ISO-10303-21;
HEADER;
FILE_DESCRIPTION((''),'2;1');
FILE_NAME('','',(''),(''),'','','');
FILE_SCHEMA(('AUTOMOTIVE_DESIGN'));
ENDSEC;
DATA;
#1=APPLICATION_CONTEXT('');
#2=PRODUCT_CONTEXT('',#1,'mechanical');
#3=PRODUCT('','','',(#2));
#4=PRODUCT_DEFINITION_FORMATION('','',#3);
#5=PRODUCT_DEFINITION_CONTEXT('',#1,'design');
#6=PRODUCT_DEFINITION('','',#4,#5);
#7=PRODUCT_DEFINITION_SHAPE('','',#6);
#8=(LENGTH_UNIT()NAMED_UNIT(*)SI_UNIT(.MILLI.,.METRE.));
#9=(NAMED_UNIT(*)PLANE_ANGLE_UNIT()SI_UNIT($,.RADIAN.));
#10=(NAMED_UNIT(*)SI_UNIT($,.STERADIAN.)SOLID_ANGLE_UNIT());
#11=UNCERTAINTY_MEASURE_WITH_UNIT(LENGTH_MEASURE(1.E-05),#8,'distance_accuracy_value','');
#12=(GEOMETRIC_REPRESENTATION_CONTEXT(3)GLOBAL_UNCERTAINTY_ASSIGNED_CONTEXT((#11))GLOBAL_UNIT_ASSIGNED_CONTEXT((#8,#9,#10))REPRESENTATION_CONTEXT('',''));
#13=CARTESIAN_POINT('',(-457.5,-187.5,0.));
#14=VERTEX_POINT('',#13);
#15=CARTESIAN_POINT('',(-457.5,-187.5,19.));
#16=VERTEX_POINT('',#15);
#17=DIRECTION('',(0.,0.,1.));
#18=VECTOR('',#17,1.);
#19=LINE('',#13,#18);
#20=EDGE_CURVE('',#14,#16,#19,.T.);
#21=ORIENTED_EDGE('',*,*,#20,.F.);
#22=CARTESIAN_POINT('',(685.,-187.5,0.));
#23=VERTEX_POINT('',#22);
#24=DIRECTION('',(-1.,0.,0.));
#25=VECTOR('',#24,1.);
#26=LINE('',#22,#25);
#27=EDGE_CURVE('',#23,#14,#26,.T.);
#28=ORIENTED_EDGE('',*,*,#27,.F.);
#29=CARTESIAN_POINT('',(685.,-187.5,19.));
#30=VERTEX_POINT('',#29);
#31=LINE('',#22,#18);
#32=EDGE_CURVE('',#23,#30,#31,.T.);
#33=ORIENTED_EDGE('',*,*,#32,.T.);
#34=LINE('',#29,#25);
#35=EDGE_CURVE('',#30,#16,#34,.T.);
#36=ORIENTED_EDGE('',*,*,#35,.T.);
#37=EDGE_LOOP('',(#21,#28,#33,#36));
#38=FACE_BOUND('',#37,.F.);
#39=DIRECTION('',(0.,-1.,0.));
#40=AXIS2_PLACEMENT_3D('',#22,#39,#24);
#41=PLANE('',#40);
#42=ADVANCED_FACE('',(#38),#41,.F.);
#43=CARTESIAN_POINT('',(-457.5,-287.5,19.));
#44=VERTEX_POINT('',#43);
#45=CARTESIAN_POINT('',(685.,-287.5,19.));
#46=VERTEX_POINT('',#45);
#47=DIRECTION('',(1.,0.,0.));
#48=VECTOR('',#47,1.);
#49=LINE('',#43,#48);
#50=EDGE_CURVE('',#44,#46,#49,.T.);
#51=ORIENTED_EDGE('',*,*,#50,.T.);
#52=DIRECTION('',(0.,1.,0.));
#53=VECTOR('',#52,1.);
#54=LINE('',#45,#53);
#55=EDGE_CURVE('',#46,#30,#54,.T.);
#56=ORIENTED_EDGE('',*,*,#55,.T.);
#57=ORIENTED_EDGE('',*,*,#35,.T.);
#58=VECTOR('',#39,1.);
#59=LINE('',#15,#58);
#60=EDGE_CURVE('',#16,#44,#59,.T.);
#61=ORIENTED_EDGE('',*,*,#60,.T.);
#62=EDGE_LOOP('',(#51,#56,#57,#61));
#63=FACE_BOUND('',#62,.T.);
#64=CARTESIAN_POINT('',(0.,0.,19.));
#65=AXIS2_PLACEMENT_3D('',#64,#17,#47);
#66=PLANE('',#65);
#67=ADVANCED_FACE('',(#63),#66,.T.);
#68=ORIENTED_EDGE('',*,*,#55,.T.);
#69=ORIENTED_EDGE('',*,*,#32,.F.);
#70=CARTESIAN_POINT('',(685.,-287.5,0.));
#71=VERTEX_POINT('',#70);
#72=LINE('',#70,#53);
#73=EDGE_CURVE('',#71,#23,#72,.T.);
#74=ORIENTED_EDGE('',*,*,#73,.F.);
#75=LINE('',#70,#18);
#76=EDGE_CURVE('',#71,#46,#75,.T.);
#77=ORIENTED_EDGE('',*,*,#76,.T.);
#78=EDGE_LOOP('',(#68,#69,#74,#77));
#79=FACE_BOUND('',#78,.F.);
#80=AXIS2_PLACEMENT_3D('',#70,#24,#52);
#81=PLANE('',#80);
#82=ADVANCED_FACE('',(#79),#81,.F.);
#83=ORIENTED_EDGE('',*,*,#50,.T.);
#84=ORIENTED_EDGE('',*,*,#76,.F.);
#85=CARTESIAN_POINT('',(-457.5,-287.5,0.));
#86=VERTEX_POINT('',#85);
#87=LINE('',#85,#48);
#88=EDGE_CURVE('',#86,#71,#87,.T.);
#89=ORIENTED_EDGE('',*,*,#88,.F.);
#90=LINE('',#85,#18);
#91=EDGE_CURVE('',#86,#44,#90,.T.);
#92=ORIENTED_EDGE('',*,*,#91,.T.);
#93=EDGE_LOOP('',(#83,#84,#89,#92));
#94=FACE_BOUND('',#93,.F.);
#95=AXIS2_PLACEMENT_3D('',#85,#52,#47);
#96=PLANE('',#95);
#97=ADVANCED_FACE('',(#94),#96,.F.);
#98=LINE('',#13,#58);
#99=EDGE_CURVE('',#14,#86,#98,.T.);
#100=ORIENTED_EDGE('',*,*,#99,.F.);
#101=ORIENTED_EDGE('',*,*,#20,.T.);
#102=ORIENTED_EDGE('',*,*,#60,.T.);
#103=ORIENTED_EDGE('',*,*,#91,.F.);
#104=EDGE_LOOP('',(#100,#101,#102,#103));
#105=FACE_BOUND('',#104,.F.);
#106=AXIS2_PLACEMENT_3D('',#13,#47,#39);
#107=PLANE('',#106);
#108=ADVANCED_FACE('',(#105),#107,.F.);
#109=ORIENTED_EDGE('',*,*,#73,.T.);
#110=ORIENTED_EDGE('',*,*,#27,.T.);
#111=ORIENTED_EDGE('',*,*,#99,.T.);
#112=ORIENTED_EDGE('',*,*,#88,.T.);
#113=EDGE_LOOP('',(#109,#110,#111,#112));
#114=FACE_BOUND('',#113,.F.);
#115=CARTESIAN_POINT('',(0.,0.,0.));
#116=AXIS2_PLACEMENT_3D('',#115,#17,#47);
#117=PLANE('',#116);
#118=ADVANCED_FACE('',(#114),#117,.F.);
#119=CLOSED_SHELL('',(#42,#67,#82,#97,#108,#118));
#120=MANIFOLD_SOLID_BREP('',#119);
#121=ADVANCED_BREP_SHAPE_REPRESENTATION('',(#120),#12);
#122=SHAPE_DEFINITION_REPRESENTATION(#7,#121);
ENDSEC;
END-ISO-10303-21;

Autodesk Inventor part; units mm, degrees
ref_plane "YZ Plane" through (0, 0, 0) normal (1, 0, 0) x (0, 1, 0)
ref_plane "XZ Plane" through (0, 0, 0) normal (0, 1, 0) x (-1, 0, 0)
ref_plane "Work Plane1" through (0, 0, 0) normal (0, 0, 1) x (1, 0, 0)
sketch "Sketch1" plane through (0, 0, 0) normal (0, 0, 1) x (1, 0, 0)
  line L0 (-607.5, -287.5) -> (685, -287.5) construction
  line L1 (-457.5, -387.5) -> (-457.5, -187.5) construction
  line L2 (685, 862.5) -> (685, -287.5) construction
  line L3 (575, -187.5) -> (685, -187.5) construction
  line L4 (685, -187.5) -> (-457.5, -187.5)
  line L5 (-457.5, -187.5) -> (-457.5, -287.5)
  line L6 (-457.5, -287.5) -> (685, -287.5)
  line L7 (685, -287.5) -> (685, -187.5)
  point P0 (0, 0)
ref_plane "Work Plane2" through (685, -287.5, 19) normal (0, 0, 1) x (1, 0, 0)
extrude "Extrusion1" add sketch "Sketch1" along normal up to surface (19 mm away)
properties part number "Hidder_Left" material "MDF Medium Density Fiberboard"
